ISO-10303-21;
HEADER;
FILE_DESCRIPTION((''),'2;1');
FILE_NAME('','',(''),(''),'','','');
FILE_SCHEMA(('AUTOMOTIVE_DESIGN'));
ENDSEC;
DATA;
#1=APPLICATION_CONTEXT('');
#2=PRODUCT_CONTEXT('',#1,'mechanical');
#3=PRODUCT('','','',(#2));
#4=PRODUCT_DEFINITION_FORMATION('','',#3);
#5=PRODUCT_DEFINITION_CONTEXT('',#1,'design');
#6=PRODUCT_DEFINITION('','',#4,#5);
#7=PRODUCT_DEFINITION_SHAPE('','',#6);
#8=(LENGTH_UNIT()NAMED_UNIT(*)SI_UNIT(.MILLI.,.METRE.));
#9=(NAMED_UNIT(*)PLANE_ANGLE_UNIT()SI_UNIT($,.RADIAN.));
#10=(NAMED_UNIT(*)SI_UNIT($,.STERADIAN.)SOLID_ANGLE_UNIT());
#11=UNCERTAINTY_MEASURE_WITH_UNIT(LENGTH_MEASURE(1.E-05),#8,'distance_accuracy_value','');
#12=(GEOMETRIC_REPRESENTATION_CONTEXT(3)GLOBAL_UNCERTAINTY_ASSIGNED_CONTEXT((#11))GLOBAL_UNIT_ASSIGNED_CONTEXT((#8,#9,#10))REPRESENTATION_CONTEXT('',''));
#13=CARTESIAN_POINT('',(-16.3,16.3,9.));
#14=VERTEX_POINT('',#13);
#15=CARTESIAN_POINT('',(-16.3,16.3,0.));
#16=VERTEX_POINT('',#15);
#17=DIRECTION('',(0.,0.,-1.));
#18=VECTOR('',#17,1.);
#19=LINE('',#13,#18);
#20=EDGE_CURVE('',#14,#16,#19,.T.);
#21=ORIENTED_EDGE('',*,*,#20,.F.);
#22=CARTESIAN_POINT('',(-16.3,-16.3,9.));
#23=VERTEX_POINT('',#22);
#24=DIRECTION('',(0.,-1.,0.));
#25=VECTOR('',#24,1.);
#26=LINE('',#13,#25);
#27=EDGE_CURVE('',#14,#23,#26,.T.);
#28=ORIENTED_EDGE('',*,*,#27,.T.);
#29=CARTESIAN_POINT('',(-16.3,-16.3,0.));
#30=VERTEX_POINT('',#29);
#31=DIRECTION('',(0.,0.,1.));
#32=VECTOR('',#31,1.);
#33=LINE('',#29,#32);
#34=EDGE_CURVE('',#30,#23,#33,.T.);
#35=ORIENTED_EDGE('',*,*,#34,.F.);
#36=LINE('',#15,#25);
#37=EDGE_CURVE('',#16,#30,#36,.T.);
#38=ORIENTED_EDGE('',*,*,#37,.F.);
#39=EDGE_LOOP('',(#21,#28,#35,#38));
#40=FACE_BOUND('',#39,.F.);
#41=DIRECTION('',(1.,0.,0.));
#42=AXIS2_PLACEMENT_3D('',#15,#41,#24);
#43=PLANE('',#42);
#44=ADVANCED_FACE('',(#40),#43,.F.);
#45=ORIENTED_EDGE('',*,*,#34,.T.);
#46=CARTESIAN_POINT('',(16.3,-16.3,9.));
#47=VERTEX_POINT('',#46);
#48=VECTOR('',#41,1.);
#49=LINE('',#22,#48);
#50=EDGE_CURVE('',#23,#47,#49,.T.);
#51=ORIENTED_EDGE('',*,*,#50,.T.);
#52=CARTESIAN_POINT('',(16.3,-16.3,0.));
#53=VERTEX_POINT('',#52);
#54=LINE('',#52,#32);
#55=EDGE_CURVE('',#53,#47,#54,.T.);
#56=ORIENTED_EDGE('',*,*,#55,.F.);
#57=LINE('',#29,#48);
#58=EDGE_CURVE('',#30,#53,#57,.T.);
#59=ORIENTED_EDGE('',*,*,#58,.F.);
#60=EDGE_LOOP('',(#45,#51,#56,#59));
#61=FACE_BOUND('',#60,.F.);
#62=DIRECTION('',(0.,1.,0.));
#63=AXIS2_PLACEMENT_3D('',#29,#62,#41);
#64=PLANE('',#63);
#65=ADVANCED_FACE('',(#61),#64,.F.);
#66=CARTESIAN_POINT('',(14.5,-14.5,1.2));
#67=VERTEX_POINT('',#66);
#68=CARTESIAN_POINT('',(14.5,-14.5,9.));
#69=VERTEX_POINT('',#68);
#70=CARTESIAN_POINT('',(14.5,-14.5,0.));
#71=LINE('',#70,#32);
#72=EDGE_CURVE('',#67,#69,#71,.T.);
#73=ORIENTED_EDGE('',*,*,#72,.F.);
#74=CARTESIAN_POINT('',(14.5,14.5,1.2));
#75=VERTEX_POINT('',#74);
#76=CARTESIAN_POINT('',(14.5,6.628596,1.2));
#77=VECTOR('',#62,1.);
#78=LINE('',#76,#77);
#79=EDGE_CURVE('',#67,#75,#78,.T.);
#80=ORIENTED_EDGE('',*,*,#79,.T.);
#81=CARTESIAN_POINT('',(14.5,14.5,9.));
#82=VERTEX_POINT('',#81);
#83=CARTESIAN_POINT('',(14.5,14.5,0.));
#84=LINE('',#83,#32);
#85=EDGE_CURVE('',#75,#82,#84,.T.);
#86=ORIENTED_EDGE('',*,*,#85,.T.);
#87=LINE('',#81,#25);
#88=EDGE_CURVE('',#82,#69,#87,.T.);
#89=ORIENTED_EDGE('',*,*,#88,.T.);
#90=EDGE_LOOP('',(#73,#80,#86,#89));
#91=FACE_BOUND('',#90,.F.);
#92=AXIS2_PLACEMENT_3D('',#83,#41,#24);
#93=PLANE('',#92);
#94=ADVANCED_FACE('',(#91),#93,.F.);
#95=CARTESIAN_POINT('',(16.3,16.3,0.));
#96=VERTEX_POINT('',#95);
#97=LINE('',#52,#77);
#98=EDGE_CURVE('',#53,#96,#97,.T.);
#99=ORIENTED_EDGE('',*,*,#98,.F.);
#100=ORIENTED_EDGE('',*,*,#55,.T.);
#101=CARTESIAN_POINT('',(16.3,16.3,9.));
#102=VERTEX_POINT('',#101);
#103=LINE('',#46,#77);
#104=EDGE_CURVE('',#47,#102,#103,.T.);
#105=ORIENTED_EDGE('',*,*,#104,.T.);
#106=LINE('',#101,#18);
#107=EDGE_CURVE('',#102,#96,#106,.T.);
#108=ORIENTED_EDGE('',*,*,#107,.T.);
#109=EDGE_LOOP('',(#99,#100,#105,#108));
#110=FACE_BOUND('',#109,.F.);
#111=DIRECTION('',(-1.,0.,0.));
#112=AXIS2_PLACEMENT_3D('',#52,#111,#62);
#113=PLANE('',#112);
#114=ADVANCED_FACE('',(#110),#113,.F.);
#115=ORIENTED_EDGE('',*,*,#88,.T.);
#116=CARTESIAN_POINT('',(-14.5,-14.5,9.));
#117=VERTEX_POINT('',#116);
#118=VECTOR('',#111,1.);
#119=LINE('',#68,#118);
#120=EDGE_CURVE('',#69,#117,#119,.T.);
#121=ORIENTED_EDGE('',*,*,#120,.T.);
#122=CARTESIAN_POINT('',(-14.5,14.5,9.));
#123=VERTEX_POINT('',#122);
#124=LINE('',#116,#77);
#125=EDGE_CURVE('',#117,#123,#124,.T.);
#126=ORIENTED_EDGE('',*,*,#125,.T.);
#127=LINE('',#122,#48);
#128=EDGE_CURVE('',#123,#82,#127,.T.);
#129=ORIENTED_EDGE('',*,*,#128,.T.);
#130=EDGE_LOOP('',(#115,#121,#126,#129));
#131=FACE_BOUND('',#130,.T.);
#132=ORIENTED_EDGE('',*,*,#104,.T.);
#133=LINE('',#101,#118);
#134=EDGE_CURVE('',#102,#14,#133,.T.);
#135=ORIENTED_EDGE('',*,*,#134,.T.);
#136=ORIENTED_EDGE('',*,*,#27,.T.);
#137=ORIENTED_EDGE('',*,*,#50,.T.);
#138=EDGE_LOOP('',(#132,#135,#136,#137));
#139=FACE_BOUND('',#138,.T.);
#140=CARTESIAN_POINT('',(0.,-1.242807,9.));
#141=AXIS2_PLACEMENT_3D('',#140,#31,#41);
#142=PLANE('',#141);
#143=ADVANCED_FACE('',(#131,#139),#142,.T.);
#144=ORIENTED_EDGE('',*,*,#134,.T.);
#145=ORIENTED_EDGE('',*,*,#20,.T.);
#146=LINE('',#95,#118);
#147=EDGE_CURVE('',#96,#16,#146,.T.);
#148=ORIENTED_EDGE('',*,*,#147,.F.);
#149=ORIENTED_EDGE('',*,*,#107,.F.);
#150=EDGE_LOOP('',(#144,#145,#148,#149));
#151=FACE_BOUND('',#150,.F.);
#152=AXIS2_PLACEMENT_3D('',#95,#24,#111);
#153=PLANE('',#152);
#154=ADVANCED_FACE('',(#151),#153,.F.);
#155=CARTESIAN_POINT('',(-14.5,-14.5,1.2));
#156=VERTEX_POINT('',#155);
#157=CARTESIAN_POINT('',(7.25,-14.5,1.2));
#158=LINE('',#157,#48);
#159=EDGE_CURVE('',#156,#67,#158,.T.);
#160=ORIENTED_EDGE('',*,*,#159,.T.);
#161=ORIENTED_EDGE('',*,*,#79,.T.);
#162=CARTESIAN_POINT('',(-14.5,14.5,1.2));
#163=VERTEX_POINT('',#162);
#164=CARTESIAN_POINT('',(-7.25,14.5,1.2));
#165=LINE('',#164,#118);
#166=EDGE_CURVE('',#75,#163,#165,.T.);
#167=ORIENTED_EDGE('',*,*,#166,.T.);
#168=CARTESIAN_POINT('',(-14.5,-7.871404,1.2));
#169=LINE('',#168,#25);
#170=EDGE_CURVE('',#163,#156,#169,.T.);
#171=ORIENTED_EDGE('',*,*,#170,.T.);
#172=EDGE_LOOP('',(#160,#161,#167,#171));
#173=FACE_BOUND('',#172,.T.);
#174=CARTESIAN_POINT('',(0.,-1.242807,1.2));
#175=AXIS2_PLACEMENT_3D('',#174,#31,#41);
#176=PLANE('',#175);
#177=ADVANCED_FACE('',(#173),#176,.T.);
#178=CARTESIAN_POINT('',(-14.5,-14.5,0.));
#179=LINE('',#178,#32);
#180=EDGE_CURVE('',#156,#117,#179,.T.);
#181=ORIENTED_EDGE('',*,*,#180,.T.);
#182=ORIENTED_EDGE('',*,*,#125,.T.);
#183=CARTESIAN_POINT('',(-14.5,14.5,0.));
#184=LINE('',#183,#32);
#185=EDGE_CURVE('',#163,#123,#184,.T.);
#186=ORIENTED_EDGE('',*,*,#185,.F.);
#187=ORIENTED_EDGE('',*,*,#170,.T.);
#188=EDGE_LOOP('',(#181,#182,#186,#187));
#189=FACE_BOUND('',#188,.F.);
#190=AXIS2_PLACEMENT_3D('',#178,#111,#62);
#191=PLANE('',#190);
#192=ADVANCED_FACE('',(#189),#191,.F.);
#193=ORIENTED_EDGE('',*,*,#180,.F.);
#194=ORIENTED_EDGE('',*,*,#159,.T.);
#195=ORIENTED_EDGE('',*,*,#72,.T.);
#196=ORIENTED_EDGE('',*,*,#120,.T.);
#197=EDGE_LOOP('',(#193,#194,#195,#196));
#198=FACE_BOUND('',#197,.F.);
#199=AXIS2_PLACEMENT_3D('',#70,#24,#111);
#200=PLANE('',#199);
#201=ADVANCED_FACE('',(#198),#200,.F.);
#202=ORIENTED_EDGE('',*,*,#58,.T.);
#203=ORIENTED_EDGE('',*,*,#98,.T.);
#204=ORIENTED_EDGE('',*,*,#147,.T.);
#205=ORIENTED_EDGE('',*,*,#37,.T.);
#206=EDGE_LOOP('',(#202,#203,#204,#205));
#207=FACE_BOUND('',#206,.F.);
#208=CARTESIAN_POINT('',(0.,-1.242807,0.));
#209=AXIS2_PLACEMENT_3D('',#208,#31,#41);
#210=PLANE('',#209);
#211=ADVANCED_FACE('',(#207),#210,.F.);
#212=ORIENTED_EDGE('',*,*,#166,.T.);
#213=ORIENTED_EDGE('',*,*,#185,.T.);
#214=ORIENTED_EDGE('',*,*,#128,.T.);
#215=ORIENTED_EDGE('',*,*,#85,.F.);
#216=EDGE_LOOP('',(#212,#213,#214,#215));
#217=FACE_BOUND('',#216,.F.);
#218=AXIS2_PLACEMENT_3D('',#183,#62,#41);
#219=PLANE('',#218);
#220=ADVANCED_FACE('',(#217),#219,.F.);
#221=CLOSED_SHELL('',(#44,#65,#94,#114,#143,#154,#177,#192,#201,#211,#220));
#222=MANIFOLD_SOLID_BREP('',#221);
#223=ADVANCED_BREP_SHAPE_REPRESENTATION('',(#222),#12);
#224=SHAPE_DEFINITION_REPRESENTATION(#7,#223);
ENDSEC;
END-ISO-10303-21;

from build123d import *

# Parameters (mm, degrees)
F0_W     = 11
F0_H     = 1.8
F1_DEPTH = 1.2
F2_DEPTH = 9


with BuildPart() as f1:
    # F0 (on Top) → F1 (new body)
    with BuildSketch(Plane.XY):
        Polygon((5.5, 14.5), (14.5, 14.5), (14.5, -14.5), (-14.5, -14.5), (-14.5, 14.5), (-5.5, 14.5), (-5.5, 16.3), (-16.3, 16.3), (-16.3, -16.3), (16.3, -16.3), (16.3, 16.3), (5.5, 16.3), align=None)
        with Locations((0, 15.4)):
            Rectangle(F0_W, F0_H)
        Polygon((14.5, -14.5), (14.5, 14.5), (5.5, 14.5), (-5.5, 14.5), (-14.5, 14.5), (-14.5, -14.5), align=None)
    extrude(amount=F1_DEPTH)

    # F0 (on Top) → F2 (join)
    with BuildSketch(Plane.XY):
        Polygon((5.5, 14.5), (14.5, 14.5), (14.5, -14.5), (-14.5, -14.5), (-14.5, 14.5), (-5.5, 14.5), (-5.5, 16.3), (-16.3, 16.3), (-16.3, -16.3), (16.3, -16.3), (16.3, 16.3), (5.5, 16.3), align=None)
        with Locations((0, 15.4)):
            Rectangle(F0_W, F0_H)
    extrude(amount=F2_DEPTH)


solid = f1.part
